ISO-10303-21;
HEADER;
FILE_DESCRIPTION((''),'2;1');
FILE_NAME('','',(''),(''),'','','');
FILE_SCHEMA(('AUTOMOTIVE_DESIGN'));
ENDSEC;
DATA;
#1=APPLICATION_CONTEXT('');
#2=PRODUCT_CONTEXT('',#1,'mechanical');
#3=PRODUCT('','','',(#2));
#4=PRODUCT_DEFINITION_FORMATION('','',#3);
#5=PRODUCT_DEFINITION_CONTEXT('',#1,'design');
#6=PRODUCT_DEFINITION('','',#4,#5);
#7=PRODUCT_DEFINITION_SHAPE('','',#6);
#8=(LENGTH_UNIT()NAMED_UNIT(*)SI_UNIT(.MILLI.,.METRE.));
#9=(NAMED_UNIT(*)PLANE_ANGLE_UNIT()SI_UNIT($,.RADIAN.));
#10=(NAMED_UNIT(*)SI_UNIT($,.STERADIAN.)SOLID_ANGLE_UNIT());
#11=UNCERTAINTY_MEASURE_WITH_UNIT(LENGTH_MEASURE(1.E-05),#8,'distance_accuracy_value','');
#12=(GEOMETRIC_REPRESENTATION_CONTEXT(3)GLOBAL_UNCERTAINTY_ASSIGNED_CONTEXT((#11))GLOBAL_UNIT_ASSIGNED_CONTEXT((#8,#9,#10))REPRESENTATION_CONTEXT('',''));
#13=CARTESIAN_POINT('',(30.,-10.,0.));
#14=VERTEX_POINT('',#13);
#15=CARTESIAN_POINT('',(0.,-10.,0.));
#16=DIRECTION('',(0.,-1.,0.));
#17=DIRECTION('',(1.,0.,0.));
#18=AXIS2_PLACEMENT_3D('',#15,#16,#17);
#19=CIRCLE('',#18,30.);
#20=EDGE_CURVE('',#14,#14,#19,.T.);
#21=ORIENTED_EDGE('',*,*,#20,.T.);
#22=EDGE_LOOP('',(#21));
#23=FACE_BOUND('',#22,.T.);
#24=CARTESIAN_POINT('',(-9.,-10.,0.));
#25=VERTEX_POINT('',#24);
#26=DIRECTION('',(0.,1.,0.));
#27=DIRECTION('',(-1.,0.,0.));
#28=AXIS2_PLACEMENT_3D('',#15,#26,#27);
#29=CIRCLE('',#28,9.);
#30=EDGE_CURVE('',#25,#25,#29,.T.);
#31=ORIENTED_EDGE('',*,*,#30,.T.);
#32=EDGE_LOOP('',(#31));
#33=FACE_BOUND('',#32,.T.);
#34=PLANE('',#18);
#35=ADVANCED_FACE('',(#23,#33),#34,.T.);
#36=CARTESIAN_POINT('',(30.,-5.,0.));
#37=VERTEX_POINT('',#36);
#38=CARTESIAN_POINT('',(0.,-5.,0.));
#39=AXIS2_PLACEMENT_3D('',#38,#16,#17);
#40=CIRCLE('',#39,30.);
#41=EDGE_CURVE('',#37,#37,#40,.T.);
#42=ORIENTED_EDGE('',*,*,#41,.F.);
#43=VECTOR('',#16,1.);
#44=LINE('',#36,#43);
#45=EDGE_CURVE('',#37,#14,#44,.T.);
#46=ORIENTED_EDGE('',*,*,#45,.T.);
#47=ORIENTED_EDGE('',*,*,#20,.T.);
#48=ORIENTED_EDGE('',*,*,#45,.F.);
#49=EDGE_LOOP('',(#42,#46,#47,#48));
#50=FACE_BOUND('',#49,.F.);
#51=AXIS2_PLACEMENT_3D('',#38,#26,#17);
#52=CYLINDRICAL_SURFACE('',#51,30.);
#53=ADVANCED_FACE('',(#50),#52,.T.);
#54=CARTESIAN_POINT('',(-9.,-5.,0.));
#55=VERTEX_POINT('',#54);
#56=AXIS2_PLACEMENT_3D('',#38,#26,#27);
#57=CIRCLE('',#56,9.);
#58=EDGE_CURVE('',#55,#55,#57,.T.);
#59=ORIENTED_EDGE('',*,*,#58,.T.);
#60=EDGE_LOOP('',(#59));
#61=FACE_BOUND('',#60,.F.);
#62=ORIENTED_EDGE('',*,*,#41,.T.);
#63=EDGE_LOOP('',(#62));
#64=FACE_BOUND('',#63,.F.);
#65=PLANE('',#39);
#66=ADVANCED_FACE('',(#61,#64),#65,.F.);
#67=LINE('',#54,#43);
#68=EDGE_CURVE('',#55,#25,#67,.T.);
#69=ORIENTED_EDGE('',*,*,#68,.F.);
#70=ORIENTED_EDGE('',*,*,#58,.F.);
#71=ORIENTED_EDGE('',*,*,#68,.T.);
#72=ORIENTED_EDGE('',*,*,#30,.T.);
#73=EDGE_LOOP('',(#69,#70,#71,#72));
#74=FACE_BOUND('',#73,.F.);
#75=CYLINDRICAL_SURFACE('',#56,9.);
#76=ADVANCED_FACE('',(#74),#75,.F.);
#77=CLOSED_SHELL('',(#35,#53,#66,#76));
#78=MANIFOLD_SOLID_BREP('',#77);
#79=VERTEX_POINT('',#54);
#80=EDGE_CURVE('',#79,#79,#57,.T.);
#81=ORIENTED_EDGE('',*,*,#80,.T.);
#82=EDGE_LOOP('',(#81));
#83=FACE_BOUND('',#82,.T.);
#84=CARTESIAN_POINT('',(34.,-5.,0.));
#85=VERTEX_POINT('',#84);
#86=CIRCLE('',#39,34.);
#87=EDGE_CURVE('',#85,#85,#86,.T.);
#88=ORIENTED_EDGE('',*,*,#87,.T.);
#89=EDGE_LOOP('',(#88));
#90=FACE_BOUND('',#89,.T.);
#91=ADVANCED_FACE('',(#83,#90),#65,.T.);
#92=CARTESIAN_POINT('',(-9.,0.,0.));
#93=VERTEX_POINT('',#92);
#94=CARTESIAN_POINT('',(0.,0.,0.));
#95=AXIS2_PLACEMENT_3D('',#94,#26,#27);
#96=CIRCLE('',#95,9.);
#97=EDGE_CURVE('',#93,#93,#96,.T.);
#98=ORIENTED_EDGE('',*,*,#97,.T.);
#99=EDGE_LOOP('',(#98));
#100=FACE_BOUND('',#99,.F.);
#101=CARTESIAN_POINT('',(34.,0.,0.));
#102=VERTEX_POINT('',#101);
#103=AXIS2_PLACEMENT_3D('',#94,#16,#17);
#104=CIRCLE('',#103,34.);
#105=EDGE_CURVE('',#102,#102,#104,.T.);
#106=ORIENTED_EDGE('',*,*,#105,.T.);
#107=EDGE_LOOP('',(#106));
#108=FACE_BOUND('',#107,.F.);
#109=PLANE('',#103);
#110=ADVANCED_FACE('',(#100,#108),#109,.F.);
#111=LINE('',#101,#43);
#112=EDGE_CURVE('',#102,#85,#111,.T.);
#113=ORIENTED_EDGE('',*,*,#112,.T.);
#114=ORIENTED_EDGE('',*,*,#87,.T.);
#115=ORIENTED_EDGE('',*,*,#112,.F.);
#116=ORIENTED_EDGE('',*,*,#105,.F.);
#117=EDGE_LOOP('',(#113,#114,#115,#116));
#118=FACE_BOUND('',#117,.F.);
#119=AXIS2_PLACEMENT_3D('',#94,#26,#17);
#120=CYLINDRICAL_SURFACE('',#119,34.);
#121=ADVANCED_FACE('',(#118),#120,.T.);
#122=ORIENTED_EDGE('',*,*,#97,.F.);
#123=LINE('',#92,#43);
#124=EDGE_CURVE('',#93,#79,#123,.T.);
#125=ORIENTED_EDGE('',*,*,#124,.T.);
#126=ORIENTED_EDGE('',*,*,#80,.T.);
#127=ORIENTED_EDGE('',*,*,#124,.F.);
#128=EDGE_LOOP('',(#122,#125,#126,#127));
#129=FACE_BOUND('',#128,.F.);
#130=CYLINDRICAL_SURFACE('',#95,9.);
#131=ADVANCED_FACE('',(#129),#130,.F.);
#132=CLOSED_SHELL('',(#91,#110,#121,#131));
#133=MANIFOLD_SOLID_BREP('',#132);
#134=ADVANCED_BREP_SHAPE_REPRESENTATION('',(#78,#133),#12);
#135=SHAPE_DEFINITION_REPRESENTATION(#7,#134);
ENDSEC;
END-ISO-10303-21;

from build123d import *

# Parameters (mm, degrees)
F0_R     = 34
F1_DEPTH = 5
F3_R     = 30
F4_DEPTH = 5
F5_R     = 9
F6_DEPTH = 56.2
F7_R     = 9
F8_DEPTH = 25


with BuildPart() as f1:
    # F0 (on Front) → F1 (new body)
    with BuildSketch(Plane.XZ):
        Circle(F0_R)
    extrude(amount=F1_DEPTH)

    # F7 (on face) → F8 (cut)
    with BuildSketch(Plane(origin=(0, 0, 0), x_dir=(-1, 0, 0), z_dir=(0, 1, 0))):
        Circle(F7_R)
    extrude(amount=-F8_DEPTH, mode=Mode.SUBTRACT)


with BuildPart() as f4:
    # F3 (on offset) → F4 (new body)
    with BuildSketch(Plane.XZ.offset(5)):
        Circle(F3_R)
    extrude(amount=F4_DEPTH)

    # F5 (on face) → F6 (cut)
    with BuildSketch(Plane(origin=(0, -5, 0), x_dir=(-1, 0, 0), z_dir=(0, 1, 0))):
        Circle(F5_R)
    extrude(amount=-F6_DEPTH, mode=Mode.SUBTRACT)


solid = Compound([f1.part, f4.part])
